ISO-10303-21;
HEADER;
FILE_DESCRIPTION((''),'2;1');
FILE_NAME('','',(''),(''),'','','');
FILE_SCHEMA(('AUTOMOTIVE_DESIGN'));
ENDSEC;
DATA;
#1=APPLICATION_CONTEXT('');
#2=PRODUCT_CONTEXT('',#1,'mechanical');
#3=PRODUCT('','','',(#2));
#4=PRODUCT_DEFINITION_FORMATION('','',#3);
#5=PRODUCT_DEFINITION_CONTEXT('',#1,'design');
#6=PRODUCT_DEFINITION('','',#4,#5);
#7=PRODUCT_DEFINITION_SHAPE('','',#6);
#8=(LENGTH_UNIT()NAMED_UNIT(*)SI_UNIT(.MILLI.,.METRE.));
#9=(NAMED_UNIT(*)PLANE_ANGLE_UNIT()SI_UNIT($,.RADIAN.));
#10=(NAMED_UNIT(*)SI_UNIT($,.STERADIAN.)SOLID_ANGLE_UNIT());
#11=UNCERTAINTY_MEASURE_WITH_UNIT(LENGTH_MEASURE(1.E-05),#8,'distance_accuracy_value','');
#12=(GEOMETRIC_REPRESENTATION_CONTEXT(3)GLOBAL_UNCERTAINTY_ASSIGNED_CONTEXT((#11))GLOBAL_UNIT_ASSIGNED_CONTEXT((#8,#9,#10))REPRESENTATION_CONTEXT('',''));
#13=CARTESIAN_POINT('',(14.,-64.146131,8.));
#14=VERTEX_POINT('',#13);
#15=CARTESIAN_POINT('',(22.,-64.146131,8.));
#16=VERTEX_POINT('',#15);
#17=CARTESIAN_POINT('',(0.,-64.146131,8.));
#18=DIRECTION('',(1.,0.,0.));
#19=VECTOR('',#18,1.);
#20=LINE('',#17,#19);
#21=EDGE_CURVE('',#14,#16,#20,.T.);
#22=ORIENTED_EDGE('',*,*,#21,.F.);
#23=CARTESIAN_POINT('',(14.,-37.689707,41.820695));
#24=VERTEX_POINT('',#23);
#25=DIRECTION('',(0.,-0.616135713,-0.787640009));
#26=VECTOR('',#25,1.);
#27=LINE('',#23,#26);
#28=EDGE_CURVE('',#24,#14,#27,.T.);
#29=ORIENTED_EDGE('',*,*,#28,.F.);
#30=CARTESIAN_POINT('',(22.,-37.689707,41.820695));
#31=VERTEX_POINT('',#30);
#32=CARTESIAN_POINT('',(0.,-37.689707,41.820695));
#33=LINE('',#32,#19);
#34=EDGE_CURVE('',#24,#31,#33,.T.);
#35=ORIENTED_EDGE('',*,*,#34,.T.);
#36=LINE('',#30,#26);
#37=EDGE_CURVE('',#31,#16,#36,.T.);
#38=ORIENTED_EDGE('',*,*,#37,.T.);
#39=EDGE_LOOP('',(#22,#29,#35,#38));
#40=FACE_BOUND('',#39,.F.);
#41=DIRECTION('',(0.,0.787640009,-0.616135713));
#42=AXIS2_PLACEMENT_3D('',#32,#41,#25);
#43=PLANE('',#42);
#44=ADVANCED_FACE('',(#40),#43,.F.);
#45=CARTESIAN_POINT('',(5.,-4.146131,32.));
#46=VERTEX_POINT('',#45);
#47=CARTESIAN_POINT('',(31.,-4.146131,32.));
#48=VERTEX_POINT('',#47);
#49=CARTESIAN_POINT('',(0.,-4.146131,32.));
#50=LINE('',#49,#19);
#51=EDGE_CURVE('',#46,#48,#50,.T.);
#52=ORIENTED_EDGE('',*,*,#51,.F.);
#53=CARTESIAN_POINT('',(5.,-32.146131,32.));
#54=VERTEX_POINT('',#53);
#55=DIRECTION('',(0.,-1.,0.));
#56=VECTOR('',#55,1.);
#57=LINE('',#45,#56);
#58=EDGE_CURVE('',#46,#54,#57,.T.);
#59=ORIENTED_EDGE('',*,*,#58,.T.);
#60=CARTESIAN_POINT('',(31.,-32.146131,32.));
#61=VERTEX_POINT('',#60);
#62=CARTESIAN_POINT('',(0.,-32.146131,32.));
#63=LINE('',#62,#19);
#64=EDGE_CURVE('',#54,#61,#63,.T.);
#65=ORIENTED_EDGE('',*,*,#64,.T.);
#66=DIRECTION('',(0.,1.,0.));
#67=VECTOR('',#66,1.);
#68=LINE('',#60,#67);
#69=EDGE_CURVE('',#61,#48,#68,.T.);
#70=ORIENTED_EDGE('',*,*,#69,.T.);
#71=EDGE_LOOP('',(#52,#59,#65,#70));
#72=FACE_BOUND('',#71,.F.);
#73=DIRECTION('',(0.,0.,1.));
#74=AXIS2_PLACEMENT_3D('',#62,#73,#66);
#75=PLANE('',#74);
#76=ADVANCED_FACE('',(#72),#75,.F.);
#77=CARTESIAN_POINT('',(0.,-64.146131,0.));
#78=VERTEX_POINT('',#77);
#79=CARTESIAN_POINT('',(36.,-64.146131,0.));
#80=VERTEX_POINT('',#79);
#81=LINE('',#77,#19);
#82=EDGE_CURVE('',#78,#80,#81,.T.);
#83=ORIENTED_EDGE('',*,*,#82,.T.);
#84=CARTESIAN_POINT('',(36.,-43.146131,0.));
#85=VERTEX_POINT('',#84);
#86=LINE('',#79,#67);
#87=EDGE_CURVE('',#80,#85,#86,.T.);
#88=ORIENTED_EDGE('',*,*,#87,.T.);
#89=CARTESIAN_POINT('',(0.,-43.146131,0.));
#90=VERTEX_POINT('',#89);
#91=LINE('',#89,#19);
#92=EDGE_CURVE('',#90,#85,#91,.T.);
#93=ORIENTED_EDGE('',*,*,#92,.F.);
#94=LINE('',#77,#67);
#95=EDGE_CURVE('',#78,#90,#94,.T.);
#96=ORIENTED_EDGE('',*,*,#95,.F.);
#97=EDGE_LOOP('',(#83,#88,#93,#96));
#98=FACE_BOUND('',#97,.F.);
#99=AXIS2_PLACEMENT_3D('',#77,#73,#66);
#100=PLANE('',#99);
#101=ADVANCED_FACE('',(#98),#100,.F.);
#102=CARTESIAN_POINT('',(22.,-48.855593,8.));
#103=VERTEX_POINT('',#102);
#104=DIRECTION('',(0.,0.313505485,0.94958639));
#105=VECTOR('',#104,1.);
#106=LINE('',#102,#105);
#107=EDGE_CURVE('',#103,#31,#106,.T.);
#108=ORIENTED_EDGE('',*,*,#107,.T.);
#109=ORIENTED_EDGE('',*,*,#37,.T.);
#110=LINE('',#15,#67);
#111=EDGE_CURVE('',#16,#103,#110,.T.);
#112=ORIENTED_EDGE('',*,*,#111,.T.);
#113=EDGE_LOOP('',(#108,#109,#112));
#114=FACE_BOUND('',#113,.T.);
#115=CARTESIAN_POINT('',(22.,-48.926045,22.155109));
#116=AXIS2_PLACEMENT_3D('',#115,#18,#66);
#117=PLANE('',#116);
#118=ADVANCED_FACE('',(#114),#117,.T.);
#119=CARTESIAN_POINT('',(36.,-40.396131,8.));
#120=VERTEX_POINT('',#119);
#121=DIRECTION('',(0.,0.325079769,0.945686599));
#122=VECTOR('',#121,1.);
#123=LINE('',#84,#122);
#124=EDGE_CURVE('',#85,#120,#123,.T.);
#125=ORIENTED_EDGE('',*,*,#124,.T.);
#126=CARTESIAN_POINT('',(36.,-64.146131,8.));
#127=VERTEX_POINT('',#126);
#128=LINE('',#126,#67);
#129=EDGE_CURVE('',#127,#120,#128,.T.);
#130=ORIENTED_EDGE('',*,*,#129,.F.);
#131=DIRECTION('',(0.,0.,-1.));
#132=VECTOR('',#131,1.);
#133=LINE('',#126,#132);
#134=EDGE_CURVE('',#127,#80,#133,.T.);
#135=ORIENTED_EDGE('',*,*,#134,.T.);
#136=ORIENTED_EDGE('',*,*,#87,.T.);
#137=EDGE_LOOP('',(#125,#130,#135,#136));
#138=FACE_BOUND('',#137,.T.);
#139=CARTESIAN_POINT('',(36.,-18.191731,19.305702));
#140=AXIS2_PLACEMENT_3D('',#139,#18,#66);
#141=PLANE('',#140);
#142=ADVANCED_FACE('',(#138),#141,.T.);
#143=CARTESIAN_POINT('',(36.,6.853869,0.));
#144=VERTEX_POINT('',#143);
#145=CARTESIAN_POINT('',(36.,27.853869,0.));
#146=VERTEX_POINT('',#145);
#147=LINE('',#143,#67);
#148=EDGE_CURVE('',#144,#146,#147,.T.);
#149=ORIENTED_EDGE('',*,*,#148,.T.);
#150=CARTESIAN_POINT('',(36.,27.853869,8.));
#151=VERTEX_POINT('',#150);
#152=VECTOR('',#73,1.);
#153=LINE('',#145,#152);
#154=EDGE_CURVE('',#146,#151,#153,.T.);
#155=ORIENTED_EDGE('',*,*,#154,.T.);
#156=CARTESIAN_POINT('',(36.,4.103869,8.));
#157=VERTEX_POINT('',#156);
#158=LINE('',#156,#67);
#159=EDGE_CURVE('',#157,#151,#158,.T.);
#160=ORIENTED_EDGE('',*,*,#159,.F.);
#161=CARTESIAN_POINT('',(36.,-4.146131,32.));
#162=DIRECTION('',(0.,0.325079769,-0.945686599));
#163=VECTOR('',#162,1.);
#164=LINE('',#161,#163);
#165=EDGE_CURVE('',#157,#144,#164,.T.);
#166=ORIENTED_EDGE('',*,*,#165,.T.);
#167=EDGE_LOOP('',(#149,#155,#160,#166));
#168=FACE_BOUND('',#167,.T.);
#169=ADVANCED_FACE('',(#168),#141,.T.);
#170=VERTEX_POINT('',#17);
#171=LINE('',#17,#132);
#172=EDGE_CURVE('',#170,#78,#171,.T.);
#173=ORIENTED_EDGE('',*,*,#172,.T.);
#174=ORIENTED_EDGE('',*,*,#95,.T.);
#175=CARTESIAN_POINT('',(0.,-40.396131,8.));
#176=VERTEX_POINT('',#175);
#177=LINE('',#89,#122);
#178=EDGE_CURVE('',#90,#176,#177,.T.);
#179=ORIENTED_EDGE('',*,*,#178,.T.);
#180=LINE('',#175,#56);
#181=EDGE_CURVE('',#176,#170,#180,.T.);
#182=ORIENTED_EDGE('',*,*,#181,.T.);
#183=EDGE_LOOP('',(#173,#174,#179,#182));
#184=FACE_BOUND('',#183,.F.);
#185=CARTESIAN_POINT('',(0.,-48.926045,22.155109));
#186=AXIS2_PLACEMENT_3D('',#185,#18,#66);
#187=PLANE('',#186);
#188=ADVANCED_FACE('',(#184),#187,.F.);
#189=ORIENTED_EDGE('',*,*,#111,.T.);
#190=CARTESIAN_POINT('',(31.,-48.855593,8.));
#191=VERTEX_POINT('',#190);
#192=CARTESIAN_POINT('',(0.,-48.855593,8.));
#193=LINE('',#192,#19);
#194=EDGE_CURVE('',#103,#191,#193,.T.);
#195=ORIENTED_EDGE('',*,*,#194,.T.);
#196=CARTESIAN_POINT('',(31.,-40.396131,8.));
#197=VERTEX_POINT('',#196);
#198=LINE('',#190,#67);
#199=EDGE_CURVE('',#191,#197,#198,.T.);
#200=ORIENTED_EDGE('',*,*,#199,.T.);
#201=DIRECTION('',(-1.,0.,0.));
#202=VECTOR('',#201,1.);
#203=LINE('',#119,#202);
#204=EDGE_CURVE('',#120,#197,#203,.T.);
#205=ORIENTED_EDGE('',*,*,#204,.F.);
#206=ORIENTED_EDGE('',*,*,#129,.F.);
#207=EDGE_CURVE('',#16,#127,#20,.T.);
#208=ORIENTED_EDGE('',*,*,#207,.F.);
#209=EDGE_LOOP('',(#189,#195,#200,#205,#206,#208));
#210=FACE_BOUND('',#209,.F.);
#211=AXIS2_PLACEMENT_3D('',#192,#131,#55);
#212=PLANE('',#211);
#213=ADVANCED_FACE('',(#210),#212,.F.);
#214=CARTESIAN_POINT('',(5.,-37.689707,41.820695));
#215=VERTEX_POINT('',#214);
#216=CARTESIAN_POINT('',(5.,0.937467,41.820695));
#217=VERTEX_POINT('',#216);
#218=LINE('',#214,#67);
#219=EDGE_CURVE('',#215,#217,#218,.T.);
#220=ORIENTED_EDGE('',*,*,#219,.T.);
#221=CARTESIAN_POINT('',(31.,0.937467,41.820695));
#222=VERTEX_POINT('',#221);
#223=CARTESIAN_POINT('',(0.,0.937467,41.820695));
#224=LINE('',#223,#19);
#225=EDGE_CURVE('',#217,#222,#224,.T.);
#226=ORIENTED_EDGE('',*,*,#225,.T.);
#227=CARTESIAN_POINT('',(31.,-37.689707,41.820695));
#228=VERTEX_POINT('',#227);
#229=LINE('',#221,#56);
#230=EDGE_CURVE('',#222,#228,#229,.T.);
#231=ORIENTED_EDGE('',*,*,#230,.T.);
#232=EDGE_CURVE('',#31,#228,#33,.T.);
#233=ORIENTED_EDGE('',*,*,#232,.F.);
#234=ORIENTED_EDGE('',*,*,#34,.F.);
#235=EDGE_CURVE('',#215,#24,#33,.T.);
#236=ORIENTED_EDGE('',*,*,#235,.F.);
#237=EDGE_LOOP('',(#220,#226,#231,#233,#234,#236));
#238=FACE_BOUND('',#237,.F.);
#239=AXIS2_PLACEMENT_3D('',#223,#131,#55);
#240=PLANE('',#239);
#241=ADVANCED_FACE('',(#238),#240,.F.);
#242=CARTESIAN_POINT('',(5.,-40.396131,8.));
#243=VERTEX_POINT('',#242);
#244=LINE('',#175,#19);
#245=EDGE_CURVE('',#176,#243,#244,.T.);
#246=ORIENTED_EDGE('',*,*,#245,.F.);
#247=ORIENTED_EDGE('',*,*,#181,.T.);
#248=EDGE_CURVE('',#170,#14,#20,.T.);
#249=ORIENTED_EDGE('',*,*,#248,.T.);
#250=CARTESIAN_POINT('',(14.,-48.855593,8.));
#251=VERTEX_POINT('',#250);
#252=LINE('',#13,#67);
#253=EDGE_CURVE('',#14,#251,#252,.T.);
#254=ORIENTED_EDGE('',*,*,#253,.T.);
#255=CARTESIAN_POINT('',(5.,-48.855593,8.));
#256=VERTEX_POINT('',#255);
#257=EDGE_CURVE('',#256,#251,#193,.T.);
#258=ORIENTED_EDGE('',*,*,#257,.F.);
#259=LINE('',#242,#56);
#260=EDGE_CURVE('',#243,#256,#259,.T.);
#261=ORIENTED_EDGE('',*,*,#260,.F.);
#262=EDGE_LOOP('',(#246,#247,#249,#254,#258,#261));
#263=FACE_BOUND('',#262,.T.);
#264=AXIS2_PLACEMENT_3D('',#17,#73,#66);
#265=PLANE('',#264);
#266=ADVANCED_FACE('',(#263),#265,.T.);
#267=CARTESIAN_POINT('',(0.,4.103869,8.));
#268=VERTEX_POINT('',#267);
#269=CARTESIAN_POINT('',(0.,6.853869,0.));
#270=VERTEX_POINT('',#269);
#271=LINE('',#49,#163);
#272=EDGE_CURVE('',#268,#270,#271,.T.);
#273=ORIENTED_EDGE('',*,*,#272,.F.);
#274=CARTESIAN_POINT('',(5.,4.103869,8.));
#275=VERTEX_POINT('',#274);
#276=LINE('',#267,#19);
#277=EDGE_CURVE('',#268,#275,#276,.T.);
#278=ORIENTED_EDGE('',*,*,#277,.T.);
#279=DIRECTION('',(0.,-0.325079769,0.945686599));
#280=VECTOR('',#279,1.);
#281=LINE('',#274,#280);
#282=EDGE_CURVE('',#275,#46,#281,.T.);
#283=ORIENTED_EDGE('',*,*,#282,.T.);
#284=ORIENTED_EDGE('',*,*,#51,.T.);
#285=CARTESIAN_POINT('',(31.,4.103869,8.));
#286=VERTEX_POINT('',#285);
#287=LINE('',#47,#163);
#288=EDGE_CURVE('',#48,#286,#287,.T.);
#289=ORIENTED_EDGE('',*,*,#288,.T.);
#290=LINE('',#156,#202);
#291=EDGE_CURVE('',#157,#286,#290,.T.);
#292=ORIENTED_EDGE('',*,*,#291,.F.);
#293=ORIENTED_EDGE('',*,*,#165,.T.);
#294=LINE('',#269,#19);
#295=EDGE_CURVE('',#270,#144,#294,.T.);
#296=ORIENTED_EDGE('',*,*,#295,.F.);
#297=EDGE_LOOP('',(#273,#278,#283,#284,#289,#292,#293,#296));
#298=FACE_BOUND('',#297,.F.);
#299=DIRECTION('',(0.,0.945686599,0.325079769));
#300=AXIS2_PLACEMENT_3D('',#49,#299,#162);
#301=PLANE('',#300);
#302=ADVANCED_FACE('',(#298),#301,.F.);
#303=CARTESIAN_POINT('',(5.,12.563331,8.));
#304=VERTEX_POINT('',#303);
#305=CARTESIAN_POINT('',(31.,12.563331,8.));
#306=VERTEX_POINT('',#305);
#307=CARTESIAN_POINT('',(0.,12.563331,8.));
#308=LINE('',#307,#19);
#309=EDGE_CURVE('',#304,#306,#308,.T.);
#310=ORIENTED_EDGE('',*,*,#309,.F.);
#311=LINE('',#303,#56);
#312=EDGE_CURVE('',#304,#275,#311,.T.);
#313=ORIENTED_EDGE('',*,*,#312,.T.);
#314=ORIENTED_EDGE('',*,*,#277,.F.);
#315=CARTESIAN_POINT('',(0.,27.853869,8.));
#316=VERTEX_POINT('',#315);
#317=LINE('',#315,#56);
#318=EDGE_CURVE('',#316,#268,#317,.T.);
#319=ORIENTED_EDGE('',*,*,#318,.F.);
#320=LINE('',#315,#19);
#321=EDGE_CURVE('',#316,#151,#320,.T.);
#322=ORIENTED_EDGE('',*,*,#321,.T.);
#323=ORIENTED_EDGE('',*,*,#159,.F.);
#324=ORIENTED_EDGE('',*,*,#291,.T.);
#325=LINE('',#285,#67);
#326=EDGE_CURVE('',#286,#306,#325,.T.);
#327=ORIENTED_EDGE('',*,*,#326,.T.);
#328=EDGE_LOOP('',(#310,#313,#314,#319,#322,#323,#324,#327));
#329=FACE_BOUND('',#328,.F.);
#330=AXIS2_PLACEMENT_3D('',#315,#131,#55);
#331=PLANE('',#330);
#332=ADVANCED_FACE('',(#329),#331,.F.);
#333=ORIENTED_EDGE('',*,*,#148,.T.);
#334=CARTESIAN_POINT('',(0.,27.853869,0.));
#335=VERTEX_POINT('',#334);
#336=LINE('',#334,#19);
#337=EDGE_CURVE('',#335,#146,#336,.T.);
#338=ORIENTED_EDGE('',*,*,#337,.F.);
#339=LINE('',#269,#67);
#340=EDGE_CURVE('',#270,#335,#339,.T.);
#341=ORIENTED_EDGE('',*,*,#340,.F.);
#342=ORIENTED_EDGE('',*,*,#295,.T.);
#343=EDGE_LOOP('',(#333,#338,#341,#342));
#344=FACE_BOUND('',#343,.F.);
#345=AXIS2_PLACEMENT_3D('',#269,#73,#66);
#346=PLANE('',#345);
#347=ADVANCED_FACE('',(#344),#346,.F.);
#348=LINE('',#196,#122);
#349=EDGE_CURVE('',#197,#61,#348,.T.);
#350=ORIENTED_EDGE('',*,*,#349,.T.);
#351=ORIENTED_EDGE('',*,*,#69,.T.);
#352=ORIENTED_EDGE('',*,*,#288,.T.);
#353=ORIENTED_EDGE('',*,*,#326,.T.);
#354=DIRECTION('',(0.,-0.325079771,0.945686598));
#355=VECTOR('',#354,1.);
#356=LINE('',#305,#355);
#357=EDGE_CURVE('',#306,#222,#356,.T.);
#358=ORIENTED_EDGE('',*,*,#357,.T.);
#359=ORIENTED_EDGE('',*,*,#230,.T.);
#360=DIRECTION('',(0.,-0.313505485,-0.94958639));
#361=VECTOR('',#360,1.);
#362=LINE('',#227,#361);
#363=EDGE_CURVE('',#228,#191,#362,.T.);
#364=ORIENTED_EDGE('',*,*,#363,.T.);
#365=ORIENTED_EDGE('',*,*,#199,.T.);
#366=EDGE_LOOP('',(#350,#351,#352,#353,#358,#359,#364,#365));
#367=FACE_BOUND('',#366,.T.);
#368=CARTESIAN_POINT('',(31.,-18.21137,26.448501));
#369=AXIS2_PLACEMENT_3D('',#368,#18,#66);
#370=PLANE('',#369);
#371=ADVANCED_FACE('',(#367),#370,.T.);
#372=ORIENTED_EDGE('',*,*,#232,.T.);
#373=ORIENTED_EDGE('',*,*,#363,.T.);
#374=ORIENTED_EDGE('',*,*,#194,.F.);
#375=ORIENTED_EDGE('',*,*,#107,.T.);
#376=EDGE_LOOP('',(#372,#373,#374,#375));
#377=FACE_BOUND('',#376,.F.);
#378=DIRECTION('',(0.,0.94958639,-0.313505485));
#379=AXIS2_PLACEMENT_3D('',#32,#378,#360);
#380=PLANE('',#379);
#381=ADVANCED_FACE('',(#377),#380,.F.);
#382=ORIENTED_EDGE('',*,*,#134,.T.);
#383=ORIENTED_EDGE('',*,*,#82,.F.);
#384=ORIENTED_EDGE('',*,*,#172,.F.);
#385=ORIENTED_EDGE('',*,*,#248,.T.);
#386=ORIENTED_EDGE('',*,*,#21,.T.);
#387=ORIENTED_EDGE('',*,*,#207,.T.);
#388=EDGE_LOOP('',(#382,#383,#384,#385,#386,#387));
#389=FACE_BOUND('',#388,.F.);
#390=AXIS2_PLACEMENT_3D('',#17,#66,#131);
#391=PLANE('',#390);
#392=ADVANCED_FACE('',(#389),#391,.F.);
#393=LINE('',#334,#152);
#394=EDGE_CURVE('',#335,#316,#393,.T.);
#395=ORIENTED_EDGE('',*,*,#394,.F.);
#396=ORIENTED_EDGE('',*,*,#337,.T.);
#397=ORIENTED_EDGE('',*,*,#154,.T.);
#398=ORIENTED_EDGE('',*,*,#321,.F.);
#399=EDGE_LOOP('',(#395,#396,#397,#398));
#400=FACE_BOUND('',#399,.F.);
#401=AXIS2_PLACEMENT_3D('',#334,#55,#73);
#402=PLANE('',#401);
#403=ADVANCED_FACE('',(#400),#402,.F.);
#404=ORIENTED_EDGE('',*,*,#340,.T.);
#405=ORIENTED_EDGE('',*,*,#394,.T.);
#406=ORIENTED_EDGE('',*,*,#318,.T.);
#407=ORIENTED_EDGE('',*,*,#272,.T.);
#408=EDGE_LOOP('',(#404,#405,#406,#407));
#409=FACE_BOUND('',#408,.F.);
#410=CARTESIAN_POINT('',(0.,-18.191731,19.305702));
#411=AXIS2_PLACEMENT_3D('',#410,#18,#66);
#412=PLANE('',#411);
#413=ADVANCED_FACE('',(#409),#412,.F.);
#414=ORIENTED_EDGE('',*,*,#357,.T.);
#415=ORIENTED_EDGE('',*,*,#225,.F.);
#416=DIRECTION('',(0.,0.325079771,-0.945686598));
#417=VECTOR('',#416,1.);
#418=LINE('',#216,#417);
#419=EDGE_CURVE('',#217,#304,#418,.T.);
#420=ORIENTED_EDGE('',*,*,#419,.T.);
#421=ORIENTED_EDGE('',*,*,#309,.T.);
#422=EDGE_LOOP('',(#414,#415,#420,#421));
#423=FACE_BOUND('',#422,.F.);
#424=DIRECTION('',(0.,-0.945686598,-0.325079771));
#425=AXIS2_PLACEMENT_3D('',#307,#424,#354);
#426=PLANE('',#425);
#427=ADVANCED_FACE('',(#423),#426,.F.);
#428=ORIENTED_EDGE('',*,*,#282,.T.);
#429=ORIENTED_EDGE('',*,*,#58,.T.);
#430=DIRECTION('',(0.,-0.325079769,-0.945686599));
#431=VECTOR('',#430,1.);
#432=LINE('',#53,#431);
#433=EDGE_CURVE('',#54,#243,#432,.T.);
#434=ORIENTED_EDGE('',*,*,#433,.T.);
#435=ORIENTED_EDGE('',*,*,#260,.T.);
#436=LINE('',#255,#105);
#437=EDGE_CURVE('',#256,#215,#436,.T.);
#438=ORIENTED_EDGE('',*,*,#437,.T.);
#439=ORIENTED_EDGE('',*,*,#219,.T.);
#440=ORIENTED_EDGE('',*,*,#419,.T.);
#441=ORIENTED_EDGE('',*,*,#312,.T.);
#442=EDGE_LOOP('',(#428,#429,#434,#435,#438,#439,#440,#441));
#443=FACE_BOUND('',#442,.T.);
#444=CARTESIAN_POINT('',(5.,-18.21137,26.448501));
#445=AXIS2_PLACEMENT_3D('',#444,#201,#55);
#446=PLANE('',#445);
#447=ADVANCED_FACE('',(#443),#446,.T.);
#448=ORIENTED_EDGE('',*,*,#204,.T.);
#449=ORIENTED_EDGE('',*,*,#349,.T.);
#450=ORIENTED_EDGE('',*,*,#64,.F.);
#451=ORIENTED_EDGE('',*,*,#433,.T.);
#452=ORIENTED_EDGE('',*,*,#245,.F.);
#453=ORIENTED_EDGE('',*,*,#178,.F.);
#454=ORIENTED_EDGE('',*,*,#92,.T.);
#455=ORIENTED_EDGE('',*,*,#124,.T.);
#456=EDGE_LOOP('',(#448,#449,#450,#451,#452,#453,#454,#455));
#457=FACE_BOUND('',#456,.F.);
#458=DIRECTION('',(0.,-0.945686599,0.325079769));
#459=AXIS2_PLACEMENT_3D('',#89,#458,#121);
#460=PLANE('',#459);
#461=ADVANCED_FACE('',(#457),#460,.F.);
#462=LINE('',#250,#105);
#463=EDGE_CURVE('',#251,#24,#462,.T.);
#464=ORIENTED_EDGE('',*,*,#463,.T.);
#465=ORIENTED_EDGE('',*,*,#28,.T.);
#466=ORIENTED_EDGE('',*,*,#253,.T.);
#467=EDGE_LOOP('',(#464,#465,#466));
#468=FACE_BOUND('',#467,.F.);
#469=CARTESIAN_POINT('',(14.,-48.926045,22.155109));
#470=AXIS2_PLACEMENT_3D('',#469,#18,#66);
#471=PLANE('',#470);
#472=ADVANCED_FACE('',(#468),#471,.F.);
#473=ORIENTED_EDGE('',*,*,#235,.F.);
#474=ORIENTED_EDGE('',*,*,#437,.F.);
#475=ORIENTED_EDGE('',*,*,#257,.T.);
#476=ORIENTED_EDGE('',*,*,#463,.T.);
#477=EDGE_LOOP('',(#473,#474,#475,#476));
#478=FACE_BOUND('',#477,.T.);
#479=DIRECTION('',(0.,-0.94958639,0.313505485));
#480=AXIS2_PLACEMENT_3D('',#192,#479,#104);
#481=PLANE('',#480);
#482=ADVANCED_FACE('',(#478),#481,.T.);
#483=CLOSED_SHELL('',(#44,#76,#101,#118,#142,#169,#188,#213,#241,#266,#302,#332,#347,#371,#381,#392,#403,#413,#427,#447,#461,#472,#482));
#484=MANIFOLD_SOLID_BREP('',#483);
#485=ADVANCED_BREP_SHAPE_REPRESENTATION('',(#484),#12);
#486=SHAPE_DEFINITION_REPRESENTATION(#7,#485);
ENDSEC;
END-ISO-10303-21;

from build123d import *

# Parameters (mm, degrees)
F1_DEPTH = 36
F3_DEPTH = 5
F5_DEPTH = 5
F6_DEPTH = 22
F7_DEPTH = 14


with BuildPart() as f1:
    # F0 (on Right) → F1 (new body)
    with BuildSketch(Plane.YZ):
        Polygon((-64.146131, 8), (-64.146131, 0), (-43.146131, 0), (-32.146131, 32), (-4.146131, 32), (6.853869, 0), (27.853869, 0), (27.853869, 8), (12.563331, 8), (0.937467, 41.820695), (-28.062533, 41.820695), (-37.689707, 41.820695), (-48.855593, 8), align=None)
    extrude(amount=F1_DEPTH)

    # F2 (on face) → F3 (cut)
    with BuildSketch(Plane.YZ.offset(36)):
        Polygon((-37.689707, 41.820695), (-48.855593, 8), (-40.396131, 8), (-32.146131, 32), (-4.146131, 32), (4.103869, 8), (12.563331, 8), (0.937467, 41.820695), align=None)
    extrude(amount=-F3_DEPTH, mode=Mode.SUBTRACT)

    # F4 (on face) → F5 (cut)
    with BuildSketch(Plane(origin=(0, 0, 0), x_dir=(0, -1, 0), z_dir=(-1, 0, 0))):
        Polygon((-0.937467, 41.820695), (-12.563331, 8), (-4.103869, 8), (4.146131, 32), (32.146131, 32), (40.396131, 8), (48.855593, 8), (37.689707, 41.820695), align=None)
    extrude(amount=-F5_DEPTH, mode=Mode.SUBTRACT)

    # F0 (on Right) → F6 (join)
    with BuildSketch(Plane.YZ):
        Polygon((-37.689707, 41.820695), (-64.146131, 8), (-48.855593, 8), align=None)
    extrude(amount=F6_DEPTH)

    # F0 (on Right) → F7 (cut)
    with BuildSketch(Plane.YZ):
        Polygon((-37.689707, 41.820695), (-64.146131, 8), (-48.855593, 8), align=None)
    extrude(amount=F7_DEPTH, mode=Mode.SUBTRACT)


solid = f1.part
